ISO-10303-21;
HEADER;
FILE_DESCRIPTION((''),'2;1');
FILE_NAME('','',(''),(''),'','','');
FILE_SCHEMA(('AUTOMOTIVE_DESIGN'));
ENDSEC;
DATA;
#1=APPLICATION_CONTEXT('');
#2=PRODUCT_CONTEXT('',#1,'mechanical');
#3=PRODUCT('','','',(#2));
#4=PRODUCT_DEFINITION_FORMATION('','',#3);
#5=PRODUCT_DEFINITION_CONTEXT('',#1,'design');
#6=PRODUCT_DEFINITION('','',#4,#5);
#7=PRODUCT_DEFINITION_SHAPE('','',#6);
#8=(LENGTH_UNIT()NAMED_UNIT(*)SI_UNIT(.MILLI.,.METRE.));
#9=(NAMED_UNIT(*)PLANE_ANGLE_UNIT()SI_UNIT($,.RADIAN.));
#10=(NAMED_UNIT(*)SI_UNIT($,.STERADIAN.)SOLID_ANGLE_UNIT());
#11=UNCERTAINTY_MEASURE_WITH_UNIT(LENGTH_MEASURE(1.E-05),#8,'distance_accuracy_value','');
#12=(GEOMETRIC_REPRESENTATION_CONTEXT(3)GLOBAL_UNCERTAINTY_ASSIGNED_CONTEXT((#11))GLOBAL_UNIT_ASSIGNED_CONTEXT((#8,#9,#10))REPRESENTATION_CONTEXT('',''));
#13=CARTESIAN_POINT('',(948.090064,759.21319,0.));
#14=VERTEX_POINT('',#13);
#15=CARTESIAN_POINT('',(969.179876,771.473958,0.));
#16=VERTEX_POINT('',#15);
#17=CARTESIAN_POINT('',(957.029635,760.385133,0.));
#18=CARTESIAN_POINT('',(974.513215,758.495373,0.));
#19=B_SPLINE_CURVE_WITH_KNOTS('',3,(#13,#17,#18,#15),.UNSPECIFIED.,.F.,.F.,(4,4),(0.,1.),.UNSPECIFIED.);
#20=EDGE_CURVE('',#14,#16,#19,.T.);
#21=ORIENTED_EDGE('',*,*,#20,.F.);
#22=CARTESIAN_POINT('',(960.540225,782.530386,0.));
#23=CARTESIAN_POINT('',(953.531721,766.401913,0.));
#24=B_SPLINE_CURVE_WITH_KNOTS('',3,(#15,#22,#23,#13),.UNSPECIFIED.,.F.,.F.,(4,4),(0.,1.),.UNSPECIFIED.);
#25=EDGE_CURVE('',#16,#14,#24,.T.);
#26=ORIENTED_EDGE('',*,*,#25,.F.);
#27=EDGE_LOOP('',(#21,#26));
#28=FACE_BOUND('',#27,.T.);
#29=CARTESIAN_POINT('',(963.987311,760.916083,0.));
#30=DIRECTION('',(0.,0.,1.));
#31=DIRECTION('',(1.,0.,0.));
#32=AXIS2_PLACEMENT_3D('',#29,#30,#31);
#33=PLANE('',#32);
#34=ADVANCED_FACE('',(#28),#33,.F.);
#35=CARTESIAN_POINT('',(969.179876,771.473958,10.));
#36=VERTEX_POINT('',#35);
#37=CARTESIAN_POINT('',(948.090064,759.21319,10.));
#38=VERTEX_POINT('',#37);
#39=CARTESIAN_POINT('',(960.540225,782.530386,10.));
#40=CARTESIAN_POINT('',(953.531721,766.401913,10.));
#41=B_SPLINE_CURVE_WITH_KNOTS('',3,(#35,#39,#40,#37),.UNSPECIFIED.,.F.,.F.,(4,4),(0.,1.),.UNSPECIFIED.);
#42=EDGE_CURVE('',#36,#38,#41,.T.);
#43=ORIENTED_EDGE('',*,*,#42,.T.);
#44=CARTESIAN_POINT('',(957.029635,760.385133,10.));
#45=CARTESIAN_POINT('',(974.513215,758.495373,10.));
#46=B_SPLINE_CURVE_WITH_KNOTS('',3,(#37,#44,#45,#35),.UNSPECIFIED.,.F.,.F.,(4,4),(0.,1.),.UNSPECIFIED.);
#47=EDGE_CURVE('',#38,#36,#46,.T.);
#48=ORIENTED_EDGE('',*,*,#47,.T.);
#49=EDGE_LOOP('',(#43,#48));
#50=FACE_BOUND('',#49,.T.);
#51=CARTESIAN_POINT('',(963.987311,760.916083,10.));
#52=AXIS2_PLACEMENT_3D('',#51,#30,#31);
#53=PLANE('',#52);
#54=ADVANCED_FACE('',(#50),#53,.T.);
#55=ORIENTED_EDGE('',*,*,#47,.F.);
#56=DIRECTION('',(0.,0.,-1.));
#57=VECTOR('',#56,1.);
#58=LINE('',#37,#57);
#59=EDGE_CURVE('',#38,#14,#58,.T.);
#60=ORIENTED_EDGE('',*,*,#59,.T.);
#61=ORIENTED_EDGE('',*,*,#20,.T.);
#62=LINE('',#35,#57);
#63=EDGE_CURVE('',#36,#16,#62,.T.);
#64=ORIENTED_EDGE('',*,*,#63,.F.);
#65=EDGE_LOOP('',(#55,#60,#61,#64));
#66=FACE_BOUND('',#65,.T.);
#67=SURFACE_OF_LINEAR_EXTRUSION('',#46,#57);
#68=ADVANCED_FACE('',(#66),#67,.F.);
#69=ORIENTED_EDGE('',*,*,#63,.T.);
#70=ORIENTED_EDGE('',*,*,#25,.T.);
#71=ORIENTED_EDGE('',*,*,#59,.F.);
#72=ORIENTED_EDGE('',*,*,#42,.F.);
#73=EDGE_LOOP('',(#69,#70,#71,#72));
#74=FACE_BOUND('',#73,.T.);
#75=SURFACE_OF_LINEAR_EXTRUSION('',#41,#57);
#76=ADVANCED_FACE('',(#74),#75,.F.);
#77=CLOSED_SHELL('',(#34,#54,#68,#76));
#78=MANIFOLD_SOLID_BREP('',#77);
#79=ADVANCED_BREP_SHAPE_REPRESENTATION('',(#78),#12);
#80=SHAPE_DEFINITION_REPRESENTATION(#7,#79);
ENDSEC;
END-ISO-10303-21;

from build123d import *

# Parameters (mm, degrees)
BOSS_EXTRUDE1_DEPTH = 10


with BuildPart() as part:
    # Sketch1 → Boss-Extrude1 (new body)
    with BuildSketch(Plane.XY):
        with BuildLine():
            add(Edge.make_bspline(
                [(948.090064485, 759.213189708), (953.531720886, 766.401913097), (960.540224931, 782.530385898), (969.179875653, 771.473957673)],
                knots=[0, 0, 0, 0, 1, 1, 1, 1], degree=3))
            add(Edge.make_bspline(
                [(948.090064485, 759.213189708), (957.029634779, 760.385133096), (974.513214795, 758.495372877), (969.179875653, 771.473957673)],
                knots=[0, 0, 0, 0, 1, 1, 1, 1], degree=3))
        make_face()
    extrude(amount=BOSS_EXTRUDE1_DEPTH)


solid = part.part
